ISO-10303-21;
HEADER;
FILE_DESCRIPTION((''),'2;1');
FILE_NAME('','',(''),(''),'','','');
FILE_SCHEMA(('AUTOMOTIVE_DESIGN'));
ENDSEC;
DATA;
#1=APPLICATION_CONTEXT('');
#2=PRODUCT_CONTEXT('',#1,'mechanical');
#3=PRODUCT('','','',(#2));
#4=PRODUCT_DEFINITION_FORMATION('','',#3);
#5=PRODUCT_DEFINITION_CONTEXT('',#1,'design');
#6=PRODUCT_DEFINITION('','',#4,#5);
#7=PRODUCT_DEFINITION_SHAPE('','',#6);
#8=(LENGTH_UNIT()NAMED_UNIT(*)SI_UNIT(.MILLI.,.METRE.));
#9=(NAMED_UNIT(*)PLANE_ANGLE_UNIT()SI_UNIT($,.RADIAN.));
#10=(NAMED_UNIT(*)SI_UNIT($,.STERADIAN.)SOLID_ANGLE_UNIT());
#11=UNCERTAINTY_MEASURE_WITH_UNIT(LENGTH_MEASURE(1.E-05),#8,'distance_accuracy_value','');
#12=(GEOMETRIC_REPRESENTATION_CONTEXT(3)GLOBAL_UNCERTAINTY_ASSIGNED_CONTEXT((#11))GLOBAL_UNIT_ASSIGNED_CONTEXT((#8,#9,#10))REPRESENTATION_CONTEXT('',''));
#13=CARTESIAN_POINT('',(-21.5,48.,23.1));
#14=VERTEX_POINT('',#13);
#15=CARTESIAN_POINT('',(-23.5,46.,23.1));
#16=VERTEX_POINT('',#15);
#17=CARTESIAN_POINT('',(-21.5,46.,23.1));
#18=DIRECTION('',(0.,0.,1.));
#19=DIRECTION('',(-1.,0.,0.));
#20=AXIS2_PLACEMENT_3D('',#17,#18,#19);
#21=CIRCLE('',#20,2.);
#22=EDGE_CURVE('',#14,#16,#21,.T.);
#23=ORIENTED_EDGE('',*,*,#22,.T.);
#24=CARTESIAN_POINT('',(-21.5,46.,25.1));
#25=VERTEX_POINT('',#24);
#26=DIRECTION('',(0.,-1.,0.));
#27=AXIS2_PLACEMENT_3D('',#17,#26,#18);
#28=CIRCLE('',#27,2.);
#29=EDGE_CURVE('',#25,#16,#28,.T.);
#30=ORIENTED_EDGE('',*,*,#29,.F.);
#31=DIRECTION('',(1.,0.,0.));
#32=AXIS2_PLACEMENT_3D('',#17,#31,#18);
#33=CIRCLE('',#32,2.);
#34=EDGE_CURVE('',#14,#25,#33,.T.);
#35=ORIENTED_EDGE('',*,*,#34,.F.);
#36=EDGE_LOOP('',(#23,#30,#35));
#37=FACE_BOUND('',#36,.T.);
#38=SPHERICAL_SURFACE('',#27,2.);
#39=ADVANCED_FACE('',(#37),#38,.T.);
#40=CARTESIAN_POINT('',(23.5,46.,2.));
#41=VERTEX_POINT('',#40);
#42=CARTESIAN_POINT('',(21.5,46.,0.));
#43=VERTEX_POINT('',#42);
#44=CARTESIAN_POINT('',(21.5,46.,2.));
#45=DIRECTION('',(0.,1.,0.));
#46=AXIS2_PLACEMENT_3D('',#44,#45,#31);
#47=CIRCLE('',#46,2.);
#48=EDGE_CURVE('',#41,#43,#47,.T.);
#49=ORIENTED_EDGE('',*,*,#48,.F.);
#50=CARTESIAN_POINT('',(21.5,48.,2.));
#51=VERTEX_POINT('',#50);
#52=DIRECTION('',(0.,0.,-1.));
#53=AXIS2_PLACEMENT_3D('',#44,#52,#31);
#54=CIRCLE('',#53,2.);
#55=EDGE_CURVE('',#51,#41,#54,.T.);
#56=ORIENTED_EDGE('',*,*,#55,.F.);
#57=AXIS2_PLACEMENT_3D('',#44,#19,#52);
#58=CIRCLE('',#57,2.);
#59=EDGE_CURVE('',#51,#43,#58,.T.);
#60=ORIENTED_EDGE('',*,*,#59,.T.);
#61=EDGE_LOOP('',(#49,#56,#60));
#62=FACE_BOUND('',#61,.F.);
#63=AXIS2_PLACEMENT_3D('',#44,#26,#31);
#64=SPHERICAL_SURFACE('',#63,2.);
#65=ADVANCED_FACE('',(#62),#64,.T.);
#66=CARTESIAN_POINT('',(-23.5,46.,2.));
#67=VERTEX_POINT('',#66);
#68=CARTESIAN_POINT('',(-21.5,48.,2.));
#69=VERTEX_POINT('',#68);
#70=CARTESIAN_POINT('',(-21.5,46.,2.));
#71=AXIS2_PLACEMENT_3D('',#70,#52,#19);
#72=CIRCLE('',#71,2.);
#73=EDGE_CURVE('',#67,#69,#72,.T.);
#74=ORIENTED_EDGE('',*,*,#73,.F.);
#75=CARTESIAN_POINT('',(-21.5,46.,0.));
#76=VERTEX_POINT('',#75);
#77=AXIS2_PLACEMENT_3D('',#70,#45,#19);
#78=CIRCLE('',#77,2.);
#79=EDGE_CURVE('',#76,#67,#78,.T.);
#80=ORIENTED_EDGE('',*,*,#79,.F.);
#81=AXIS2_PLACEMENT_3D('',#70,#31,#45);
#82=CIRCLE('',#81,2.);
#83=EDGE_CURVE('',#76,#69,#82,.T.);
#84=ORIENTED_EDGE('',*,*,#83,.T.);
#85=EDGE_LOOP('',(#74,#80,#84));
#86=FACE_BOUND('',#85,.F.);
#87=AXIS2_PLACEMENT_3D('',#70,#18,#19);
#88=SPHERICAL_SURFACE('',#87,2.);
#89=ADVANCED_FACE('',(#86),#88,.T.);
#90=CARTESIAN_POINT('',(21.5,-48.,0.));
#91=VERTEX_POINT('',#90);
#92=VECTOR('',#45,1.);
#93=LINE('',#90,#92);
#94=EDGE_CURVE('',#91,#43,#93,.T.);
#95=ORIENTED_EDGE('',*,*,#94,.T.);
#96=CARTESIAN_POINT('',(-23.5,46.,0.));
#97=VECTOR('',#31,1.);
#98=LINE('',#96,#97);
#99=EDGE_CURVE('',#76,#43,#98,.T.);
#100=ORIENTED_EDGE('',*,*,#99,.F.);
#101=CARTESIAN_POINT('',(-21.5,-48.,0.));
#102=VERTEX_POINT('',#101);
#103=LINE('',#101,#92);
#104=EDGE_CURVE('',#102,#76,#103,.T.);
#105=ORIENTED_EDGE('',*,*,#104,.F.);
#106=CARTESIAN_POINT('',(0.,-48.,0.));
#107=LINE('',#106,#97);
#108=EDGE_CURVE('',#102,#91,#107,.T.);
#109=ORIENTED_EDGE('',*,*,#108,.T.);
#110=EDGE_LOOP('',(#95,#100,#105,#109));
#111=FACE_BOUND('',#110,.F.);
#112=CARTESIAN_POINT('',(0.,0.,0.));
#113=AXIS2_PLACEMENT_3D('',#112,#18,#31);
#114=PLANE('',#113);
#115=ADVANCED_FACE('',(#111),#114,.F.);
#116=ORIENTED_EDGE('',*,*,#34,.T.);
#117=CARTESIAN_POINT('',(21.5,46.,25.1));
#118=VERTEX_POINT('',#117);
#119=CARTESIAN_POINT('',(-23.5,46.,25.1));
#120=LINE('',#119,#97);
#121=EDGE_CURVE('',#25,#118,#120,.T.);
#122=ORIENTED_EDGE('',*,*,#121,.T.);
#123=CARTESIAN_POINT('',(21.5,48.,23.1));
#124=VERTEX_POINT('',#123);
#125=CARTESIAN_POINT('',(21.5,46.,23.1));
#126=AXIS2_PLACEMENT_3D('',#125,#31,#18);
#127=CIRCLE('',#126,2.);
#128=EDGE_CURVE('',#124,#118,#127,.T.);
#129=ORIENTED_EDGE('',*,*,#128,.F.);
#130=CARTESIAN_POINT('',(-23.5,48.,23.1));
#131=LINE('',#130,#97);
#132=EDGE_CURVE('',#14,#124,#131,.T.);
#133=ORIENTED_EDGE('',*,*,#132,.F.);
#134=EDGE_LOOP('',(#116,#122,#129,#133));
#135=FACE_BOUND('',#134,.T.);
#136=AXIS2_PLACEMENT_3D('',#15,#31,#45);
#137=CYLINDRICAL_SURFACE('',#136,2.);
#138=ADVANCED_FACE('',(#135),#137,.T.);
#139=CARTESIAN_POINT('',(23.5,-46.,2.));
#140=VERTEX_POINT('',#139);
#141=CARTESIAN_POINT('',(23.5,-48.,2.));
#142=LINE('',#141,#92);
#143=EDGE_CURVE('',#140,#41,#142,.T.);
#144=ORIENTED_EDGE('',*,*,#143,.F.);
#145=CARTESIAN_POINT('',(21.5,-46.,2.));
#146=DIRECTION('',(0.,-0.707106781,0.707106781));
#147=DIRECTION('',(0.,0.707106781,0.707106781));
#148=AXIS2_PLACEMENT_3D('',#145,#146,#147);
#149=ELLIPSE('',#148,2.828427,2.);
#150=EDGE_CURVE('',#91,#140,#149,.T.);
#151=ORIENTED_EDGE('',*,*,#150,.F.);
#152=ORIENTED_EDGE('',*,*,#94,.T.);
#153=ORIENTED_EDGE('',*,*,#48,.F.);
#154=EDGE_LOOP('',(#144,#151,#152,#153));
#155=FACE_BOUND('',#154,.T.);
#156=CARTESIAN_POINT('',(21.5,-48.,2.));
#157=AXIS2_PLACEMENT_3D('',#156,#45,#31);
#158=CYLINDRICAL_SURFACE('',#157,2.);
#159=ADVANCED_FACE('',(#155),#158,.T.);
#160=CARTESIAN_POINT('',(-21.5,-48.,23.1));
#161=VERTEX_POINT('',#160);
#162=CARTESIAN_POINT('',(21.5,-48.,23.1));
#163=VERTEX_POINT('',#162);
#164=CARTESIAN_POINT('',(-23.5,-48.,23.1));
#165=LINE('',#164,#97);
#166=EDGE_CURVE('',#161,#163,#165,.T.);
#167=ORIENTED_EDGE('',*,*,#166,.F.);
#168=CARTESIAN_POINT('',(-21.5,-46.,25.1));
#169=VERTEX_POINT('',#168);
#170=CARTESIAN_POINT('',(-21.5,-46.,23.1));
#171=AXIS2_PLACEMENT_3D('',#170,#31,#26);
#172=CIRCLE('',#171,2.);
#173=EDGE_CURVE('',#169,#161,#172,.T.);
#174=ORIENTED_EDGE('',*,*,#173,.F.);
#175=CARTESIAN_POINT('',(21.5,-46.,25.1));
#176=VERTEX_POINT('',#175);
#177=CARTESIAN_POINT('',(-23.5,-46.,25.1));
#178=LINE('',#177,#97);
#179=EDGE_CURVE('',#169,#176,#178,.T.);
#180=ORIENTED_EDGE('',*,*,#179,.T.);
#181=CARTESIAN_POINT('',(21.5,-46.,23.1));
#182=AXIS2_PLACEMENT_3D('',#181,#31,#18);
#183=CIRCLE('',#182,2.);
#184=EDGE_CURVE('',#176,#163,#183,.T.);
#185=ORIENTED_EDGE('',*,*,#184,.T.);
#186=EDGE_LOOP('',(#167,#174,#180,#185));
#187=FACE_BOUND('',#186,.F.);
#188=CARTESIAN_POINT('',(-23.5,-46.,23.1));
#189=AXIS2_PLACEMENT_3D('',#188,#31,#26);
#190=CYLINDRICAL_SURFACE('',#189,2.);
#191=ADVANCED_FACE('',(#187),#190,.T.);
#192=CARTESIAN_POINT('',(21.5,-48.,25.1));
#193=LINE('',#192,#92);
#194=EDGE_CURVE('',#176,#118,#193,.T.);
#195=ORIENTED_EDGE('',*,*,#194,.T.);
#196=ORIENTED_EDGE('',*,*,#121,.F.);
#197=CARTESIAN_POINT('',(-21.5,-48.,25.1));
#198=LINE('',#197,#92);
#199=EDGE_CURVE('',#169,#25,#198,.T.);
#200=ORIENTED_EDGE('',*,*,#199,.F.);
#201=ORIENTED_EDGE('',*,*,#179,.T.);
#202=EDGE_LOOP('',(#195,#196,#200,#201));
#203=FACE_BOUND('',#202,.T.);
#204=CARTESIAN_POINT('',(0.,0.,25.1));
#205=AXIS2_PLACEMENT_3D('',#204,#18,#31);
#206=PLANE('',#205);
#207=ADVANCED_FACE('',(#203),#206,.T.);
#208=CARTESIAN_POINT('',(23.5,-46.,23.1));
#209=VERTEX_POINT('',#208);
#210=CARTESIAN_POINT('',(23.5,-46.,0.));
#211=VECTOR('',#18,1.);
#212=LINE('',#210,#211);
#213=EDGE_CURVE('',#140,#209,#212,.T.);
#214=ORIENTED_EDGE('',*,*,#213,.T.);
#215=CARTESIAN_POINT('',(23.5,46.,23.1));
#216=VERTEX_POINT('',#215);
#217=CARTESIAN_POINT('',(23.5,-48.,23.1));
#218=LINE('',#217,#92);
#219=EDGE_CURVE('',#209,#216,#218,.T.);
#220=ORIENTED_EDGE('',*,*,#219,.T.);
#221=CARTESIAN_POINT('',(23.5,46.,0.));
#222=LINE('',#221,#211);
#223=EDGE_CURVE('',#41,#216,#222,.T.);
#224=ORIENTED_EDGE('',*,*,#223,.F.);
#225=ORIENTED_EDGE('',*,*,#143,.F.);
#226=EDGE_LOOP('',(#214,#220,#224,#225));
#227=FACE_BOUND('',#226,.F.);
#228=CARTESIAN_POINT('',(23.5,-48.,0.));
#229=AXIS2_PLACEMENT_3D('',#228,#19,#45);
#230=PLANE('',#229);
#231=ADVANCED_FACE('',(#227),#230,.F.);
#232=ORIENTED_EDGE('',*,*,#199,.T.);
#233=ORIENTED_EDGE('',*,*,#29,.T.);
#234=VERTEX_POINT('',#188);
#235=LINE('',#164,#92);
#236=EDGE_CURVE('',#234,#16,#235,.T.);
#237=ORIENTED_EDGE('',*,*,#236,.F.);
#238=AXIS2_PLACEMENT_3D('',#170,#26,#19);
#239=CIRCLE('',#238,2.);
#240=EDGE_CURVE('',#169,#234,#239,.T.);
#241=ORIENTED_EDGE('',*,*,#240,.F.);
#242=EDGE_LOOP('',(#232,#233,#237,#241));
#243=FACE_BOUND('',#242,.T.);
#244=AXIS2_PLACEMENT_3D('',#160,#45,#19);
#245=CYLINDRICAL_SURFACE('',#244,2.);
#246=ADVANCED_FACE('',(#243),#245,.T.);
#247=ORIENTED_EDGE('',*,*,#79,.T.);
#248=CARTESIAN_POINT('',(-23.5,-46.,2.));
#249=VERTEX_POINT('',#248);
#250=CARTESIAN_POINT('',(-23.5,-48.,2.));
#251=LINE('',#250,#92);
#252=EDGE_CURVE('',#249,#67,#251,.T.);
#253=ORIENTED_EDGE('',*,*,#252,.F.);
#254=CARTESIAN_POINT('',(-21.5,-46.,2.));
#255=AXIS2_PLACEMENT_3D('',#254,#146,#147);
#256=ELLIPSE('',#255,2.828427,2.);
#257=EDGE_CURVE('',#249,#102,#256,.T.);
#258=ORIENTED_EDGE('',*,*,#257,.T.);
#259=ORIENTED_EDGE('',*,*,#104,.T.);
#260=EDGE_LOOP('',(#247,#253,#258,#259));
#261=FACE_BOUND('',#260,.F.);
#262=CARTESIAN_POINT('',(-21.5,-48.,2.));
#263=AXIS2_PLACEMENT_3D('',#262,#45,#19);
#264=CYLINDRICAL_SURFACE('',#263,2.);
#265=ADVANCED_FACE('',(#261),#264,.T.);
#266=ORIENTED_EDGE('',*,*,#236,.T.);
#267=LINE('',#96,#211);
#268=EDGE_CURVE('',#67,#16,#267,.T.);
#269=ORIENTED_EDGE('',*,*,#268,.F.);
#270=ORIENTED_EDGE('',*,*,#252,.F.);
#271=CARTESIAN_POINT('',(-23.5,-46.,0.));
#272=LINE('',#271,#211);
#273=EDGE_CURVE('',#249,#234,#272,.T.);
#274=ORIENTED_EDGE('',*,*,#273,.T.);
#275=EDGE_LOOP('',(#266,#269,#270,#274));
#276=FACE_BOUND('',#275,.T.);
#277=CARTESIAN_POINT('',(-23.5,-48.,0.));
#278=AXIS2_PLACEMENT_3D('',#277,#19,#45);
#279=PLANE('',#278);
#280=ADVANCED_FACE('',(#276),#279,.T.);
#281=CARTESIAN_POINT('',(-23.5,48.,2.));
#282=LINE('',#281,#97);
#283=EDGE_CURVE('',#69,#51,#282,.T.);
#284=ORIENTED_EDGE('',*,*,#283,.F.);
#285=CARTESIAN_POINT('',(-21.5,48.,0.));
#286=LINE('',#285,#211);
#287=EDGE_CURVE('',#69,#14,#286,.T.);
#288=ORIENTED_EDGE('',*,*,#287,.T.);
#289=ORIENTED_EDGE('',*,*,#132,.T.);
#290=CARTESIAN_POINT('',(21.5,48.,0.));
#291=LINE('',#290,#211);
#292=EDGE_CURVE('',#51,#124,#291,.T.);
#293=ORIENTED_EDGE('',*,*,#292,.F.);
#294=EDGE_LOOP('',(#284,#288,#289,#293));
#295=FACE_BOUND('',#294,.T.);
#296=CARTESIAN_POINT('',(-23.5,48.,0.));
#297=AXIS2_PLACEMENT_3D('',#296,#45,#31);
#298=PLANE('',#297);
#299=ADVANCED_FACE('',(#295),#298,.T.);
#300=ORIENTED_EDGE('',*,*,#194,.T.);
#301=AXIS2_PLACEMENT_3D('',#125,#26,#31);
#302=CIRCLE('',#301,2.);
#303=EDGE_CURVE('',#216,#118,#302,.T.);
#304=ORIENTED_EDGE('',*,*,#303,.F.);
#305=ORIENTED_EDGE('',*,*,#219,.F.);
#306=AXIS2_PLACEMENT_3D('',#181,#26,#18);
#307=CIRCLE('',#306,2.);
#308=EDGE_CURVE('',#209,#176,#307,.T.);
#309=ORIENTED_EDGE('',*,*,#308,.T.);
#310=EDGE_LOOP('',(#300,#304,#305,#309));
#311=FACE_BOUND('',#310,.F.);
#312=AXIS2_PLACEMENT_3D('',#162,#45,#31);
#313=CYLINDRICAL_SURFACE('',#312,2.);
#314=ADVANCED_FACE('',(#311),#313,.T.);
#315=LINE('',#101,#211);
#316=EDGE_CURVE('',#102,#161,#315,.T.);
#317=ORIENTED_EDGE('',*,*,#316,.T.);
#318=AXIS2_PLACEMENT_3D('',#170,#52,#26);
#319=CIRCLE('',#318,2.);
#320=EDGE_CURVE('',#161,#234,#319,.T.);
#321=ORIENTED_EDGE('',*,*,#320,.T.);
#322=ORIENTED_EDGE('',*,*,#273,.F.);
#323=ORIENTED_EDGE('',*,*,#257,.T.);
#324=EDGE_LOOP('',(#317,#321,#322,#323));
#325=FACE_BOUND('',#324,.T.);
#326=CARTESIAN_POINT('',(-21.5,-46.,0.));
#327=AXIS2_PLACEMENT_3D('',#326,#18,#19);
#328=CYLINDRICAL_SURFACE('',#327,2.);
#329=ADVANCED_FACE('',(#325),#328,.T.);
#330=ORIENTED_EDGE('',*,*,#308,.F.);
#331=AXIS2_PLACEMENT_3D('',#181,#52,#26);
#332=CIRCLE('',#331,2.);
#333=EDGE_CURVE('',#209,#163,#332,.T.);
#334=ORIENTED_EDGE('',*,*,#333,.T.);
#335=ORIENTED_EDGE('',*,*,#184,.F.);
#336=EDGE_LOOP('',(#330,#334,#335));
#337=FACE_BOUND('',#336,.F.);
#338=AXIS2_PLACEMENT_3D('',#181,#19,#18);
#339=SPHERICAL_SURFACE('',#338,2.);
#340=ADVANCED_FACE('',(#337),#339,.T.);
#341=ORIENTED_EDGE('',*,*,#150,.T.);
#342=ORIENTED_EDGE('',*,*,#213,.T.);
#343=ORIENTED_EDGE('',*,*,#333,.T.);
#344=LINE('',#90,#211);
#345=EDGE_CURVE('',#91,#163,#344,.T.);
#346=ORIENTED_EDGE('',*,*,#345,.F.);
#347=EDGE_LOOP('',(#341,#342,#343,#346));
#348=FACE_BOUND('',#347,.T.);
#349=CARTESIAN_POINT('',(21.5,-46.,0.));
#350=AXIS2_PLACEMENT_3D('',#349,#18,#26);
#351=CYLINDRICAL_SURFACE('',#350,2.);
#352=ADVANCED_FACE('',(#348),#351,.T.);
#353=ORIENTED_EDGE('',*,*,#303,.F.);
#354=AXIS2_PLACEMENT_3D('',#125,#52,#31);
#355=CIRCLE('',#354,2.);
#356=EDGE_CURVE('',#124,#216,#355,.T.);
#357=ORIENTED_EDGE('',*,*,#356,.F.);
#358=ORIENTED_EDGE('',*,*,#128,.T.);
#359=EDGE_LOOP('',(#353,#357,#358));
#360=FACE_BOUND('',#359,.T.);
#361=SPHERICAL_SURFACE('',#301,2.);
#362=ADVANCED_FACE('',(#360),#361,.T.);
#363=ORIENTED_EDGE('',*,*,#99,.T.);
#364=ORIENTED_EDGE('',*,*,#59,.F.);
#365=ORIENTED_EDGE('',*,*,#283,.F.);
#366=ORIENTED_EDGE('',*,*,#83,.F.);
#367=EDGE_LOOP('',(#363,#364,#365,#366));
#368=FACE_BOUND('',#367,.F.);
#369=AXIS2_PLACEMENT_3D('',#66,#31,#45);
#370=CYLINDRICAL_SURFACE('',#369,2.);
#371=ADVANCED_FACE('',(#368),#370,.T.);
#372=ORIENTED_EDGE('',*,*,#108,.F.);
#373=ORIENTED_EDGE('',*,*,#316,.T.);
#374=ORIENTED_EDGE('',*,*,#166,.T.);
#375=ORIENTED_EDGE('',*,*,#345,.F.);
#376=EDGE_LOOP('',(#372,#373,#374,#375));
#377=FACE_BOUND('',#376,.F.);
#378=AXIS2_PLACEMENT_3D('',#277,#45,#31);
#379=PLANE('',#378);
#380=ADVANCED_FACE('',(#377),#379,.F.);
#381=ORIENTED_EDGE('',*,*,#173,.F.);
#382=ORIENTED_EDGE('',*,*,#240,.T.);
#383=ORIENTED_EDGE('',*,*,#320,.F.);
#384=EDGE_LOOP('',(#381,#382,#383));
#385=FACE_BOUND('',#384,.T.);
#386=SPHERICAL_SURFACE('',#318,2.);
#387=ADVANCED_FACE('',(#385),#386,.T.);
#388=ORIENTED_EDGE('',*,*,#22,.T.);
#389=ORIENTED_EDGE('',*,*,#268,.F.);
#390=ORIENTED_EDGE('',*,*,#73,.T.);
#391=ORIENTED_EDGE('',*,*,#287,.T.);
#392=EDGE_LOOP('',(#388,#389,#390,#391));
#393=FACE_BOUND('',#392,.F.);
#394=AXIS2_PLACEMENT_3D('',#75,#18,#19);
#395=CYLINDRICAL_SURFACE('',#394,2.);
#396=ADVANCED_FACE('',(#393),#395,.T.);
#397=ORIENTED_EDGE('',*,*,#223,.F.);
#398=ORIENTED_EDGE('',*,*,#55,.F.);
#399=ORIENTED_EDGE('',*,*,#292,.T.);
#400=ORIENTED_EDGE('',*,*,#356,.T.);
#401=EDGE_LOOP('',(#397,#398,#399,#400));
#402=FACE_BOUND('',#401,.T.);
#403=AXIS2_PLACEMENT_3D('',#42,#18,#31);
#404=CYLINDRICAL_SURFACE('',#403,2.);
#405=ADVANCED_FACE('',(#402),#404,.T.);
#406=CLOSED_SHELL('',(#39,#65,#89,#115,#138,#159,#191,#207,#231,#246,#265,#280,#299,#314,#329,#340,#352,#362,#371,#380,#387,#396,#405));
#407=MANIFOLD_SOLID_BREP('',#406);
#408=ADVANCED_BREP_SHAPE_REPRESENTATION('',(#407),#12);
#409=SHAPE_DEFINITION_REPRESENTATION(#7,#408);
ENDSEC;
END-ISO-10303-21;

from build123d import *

# Parameters (mm, degrees)
F0_W     = 47
F0_H     = 96
F1_DEPTH = 25.1
F2_R     = 2


with BuildPart() as f1:
    # F0 (on Top) → F1 (new body)
    with BuildSketch(Plane.XY):
        Rectangle(F0_W, F0_H)
    extrude(amount=F1_DEPTH)

    # F2
    f2_edges = [f1.edges().sort_by_distance(p)[0] for p in [
        (-23.5, -48, 12.55),
        (0, -48, 25.1),
        (-23.5, 0, 25.1),
        (23.5, 0, 25.1),
        (23.5, -48, 12.55),
        (23.5, 0, 0),
        (23.5, 48, 12.55),
        (0, 48, 25.1),
        (-23.5, 48, 12.55),
        (-23.5, 0, 0),
        (0, 48, 0),
    ]]
    fillet(f2_edges, radius=F2_R)


solid = f1.part
